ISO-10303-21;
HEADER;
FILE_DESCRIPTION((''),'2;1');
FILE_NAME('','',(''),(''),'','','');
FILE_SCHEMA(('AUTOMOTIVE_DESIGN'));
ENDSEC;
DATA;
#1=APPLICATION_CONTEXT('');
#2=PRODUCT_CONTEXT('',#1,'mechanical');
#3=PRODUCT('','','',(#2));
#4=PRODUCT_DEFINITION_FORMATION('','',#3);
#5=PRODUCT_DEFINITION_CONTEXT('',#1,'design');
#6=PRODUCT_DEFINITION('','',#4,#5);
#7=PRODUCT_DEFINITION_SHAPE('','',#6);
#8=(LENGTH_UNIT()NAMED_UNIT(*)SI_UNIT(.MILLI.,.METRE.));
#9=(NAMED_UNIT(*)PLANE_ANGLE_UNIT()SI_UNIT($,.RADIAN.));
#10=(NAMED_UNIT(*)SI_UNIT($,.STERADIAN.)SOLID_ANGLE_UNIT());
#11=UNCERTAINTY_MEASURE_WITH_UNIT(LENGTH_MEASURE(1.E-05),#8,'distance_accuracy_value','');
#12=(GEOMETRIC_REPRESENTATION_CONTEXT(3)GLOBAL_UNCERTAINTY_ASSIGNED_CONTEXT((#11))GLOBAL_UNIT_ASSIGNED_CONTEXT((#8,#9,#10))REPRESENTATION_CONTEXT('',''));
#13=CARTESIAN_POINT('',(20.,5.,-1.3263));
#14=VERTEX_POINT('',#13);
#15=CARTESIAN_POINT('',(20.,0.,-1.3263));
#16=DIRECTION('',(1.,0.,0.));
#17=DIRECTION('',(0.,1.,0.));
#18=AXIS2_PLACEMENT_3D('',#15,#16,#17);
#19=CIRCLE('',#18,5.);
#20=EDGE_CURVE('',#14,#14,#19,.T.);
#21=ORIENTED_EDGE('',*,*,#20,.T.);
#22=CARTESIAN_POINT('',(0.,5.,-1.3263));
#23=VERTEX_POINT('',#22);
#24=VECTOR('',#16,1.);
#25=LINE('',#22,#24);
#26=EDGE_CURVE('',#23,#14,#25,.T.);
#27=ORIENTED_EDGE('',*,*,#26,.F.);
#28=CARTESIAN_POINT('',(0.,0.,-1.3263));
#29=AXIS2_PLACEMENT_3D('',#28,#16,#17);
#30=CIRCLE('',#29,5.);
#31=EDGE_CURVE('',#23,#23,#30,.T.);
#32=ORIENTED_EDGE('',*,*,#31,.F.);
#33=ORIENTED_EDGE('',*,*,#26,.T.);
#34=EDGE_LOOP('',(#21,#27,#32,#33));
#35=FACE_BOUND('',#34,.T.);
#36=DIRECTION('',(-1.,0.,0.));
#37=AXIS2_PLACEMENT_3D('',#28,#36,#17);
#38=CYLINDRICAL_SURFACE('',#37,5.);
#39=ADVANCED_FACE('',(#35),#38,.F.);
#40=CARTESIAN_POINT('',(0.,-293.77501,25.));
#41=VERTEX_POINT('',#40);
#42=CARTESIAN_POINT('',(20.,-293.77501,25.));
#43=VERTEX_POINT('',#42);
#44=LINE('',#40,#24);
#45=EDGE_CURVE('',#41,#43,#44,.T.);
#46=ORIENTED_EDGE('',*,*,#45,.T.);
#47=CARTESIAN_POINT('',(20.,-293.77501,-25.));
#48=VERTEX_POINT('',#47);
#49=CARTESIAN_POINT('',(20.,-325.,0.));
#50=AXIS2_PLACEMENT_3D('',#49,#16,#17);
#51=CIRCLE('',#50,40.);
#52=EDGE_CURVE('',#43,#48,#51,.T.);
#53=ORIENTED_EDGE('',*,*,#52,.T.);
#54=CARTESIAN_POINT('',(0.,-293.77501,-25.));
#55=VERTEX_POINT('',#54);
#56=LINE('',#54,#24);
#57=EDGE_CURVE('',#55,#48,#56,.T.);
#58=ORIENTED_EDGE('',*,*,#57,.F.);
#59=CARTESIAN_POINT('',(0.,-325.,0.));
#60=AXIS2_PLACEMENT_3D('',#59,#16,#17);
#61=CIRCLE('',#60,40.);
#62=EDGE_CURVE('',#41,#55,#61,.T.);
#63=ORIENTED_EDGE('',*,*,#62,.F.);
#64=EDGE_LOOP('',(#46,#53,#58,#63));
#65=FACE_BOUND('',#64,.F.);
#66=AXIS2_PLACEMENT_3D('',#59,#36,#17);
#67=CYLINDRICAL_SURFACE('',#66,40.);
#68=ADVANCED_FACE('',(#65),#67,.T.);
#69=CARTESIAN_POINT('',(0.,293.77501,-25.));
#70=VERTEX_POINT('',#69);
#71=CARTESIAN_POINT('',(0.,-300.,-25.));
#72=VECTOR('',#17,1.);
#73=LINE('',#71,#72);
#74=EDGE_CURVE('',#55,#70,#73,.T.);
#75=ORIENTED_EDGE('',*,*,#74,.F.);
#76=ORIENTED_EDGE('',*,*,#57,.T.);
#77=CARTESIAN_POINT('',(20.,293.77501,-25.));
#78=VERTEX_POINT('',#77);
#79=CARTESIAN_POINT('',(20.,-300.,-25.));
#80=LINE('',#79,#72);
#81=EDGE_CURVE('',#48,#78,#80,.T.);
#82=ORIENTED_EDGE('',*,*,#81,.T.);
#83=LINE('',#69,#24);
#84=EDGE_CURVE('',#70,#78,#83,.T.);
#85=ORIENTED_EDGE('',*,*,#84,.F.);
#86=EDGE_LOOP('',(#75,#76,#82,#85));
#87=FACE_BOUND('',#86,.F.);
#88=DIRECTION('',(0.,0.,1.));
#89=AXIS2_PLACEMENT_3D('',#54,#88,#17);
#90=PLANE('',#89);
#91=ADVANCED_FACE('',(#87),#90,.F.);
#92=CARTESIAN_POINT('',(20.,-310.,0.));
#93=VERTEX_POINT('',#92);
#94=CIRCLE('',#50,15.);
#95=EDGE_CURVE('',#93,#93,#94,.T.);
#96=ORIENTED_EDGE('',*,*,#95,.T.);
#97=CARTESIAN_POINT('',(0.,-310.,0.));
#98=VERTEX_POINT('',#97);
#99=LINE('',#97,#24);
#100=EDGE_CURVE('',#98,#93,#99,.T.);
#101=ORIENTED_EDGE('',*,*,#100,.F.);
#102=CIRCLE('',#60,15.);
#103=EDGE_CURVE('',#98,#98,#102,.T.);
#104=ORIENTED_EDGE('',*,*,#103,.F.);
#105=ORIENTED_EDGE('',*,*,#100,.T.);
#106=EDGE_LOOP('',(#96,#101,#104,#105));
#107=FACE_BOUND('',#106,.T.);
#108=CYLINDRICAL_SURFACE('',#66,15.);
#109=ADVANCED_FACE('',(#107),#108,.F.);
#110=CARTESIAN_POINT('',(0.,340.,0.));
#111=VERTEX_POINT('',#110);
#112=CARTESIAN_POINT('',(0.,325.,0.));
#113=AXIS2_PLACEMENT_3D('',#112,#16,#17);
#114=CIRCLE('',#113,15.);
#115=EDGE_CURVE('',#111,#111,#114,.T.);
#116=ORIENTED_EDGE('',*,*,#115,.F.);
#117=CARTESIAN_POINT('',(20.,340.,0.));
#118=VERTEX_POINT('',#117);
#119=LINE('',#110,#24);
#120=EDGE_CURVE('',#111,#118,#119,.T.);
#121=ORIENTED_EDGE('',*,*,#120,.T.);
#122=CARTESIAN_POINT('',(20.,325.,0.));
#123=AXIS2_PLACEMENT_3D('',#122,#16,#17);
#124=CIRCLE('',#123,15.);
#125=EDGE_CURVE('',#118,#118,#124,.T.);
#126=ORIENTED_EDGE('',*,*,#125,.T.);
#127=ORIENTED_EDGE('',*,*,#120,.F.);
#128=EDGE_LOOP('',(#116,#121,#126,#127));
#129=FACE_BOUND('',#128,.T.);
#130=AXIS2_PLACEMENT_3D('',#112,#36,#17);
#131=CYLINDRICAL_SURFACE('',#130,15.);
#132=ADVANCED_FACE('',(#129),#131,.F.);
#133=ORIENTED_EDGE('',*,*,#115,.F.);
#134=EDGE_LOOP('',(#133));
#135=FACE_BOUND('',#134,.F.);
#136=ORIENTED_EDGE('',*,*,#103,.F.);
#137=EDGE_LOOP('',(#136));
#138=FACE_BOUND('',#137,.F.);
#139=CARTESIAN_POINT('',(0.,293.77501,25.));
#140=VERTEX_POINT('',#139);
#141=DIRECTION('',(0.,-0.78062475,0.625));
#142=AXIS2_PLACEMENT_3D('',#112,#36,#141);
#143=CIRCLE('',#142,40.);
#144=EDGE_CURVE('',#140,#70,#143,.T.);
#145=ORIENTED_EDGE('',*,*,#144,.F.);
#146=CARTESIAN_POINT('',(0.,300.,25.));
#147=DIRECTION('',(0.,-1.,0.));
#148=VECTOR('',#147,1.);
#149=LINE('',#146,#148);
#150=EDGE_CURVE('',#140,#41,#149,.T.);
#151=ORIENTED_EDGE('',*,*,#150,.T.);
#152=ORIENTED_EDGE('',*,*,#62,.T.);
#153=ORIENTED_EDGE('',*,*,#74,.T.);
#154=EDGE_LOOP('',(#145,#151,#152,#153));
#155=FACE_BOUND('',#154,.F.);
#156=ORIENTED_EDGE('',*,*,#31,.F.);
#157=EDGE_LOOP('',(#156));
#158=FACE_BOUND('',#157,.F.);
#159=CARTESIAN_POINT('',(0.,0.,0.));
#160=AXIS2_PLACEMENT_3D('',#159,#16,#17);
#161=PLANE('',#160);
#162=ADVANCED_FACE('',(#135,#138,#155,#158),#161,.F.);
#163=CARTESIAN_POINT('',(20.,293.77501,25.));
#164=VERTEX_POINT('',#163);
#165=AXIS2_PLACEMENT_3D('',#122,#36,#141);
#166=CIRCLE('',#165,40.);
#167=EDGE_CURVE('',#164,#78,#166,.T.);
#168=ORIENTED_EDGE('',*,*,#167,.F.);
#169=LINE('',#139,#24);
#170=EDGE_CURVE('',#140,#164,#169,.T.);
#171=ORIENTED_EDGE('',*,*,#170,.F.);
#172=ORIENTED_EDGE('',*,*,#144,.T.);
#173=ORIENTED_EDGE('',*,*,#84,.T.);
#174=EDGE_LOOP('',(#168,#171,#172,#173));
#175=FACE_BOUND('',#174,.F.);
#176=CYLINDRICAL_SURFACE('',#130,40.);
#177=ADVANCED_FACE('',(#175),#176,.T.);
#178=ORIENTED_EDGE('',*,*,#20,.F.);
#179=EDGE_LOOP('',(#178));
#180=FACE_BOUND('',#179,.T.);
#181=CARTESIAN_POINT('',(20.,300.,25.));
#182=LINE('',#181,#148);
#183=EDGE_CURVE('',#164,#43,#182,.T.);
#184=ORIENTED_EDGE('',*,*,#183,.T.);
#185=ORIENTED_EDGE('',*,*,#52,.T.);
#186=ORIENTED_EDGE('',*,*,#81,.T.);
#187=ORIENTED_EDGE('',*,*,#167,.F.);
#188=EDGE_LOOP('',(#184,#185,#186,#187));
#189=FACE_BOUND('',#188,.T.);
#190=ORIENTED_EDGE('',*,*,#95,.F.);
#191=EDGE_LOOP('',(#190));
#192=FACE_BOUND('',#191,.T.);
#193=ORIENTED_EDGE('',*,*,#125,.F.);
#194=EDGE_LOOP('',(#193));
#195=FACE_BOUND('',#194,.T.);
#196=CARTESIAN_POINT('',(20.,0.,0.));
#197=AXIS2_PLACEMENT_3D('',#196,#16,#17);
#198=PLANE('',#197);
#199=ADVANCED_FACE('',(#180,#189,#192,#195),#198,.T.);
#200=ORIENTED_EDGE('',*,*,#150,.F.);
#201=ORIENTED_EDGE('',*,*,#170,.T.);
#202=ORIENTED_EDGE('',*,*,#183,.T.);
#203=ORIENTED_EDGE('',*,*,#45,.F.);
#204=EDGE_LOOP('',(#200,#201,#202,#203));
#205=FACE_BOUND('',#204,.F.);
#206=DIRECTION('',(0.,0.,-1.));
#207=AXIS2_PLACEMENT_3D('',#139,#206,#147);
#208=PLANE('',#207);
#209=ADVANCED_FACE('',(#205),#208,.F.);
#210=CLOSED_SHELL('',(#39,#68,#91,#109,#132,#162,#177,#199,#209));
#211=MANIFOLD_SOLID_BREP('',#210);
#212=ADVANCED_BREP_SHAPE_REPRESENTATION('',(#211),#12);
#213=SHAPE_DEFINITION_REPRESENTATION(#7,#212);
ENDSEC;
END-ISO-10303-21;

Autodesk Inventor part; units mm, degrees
ref_plane "YZ Plane" through (0, 0, 0) normal (1, 0, 0) x (0, 1, 0)
ref_plane "XZ Plane" through (0, 0, 0) normal (0, 1, 0) x (-1, 0, 0)
ref_plane "XY Plane" through (0, 0, 0) normal (0, 0, 1) x (1, 0, 0)
sketch "Sketch1" plane through (0, 0, 0) normal (1, 0, 0) x (0, 1, 0)
  line L0 (300, 25) -> (-300, 25)
  line L1 (-300, 25) -> (-300, -25)
  line L2 (-300, -25) -> (300, -25)
  line L3 (300, -25) -> (300, 25)
  circle A0 centre (-325, 0) radius 40
  circle A1 centre (-325, 0) radius 15
  circle A2 centre (0, -1.3263) radius 5
  circle A3 centre (325, 0) radius 15
  circle A4 centre (325, 0) radius 40
  point P0 (0, 0)
  point P1 (-293.775, 25)
  point P2 (-293.775, -25)
  point P3 (293.775, -25)
  point P4 (293.775, 25)
  dimension "d0" = 600
  dimension "d1" = 50
  dimension "d2" = 25
  dimension "d3" = 300
  dimension "d4" = 30
  dimension "d5" = 25
  dimension "d6" = 80
  dimension "d11" = 10
  dimension "d14" = 0
  dimension "d15" = 30
  dimension "d16" = 80
  dimension "d17" = 25
extrude "Extrusion1" add sketch "Sketch1" along normal blind 20
properties material "Steel, Alloy"
